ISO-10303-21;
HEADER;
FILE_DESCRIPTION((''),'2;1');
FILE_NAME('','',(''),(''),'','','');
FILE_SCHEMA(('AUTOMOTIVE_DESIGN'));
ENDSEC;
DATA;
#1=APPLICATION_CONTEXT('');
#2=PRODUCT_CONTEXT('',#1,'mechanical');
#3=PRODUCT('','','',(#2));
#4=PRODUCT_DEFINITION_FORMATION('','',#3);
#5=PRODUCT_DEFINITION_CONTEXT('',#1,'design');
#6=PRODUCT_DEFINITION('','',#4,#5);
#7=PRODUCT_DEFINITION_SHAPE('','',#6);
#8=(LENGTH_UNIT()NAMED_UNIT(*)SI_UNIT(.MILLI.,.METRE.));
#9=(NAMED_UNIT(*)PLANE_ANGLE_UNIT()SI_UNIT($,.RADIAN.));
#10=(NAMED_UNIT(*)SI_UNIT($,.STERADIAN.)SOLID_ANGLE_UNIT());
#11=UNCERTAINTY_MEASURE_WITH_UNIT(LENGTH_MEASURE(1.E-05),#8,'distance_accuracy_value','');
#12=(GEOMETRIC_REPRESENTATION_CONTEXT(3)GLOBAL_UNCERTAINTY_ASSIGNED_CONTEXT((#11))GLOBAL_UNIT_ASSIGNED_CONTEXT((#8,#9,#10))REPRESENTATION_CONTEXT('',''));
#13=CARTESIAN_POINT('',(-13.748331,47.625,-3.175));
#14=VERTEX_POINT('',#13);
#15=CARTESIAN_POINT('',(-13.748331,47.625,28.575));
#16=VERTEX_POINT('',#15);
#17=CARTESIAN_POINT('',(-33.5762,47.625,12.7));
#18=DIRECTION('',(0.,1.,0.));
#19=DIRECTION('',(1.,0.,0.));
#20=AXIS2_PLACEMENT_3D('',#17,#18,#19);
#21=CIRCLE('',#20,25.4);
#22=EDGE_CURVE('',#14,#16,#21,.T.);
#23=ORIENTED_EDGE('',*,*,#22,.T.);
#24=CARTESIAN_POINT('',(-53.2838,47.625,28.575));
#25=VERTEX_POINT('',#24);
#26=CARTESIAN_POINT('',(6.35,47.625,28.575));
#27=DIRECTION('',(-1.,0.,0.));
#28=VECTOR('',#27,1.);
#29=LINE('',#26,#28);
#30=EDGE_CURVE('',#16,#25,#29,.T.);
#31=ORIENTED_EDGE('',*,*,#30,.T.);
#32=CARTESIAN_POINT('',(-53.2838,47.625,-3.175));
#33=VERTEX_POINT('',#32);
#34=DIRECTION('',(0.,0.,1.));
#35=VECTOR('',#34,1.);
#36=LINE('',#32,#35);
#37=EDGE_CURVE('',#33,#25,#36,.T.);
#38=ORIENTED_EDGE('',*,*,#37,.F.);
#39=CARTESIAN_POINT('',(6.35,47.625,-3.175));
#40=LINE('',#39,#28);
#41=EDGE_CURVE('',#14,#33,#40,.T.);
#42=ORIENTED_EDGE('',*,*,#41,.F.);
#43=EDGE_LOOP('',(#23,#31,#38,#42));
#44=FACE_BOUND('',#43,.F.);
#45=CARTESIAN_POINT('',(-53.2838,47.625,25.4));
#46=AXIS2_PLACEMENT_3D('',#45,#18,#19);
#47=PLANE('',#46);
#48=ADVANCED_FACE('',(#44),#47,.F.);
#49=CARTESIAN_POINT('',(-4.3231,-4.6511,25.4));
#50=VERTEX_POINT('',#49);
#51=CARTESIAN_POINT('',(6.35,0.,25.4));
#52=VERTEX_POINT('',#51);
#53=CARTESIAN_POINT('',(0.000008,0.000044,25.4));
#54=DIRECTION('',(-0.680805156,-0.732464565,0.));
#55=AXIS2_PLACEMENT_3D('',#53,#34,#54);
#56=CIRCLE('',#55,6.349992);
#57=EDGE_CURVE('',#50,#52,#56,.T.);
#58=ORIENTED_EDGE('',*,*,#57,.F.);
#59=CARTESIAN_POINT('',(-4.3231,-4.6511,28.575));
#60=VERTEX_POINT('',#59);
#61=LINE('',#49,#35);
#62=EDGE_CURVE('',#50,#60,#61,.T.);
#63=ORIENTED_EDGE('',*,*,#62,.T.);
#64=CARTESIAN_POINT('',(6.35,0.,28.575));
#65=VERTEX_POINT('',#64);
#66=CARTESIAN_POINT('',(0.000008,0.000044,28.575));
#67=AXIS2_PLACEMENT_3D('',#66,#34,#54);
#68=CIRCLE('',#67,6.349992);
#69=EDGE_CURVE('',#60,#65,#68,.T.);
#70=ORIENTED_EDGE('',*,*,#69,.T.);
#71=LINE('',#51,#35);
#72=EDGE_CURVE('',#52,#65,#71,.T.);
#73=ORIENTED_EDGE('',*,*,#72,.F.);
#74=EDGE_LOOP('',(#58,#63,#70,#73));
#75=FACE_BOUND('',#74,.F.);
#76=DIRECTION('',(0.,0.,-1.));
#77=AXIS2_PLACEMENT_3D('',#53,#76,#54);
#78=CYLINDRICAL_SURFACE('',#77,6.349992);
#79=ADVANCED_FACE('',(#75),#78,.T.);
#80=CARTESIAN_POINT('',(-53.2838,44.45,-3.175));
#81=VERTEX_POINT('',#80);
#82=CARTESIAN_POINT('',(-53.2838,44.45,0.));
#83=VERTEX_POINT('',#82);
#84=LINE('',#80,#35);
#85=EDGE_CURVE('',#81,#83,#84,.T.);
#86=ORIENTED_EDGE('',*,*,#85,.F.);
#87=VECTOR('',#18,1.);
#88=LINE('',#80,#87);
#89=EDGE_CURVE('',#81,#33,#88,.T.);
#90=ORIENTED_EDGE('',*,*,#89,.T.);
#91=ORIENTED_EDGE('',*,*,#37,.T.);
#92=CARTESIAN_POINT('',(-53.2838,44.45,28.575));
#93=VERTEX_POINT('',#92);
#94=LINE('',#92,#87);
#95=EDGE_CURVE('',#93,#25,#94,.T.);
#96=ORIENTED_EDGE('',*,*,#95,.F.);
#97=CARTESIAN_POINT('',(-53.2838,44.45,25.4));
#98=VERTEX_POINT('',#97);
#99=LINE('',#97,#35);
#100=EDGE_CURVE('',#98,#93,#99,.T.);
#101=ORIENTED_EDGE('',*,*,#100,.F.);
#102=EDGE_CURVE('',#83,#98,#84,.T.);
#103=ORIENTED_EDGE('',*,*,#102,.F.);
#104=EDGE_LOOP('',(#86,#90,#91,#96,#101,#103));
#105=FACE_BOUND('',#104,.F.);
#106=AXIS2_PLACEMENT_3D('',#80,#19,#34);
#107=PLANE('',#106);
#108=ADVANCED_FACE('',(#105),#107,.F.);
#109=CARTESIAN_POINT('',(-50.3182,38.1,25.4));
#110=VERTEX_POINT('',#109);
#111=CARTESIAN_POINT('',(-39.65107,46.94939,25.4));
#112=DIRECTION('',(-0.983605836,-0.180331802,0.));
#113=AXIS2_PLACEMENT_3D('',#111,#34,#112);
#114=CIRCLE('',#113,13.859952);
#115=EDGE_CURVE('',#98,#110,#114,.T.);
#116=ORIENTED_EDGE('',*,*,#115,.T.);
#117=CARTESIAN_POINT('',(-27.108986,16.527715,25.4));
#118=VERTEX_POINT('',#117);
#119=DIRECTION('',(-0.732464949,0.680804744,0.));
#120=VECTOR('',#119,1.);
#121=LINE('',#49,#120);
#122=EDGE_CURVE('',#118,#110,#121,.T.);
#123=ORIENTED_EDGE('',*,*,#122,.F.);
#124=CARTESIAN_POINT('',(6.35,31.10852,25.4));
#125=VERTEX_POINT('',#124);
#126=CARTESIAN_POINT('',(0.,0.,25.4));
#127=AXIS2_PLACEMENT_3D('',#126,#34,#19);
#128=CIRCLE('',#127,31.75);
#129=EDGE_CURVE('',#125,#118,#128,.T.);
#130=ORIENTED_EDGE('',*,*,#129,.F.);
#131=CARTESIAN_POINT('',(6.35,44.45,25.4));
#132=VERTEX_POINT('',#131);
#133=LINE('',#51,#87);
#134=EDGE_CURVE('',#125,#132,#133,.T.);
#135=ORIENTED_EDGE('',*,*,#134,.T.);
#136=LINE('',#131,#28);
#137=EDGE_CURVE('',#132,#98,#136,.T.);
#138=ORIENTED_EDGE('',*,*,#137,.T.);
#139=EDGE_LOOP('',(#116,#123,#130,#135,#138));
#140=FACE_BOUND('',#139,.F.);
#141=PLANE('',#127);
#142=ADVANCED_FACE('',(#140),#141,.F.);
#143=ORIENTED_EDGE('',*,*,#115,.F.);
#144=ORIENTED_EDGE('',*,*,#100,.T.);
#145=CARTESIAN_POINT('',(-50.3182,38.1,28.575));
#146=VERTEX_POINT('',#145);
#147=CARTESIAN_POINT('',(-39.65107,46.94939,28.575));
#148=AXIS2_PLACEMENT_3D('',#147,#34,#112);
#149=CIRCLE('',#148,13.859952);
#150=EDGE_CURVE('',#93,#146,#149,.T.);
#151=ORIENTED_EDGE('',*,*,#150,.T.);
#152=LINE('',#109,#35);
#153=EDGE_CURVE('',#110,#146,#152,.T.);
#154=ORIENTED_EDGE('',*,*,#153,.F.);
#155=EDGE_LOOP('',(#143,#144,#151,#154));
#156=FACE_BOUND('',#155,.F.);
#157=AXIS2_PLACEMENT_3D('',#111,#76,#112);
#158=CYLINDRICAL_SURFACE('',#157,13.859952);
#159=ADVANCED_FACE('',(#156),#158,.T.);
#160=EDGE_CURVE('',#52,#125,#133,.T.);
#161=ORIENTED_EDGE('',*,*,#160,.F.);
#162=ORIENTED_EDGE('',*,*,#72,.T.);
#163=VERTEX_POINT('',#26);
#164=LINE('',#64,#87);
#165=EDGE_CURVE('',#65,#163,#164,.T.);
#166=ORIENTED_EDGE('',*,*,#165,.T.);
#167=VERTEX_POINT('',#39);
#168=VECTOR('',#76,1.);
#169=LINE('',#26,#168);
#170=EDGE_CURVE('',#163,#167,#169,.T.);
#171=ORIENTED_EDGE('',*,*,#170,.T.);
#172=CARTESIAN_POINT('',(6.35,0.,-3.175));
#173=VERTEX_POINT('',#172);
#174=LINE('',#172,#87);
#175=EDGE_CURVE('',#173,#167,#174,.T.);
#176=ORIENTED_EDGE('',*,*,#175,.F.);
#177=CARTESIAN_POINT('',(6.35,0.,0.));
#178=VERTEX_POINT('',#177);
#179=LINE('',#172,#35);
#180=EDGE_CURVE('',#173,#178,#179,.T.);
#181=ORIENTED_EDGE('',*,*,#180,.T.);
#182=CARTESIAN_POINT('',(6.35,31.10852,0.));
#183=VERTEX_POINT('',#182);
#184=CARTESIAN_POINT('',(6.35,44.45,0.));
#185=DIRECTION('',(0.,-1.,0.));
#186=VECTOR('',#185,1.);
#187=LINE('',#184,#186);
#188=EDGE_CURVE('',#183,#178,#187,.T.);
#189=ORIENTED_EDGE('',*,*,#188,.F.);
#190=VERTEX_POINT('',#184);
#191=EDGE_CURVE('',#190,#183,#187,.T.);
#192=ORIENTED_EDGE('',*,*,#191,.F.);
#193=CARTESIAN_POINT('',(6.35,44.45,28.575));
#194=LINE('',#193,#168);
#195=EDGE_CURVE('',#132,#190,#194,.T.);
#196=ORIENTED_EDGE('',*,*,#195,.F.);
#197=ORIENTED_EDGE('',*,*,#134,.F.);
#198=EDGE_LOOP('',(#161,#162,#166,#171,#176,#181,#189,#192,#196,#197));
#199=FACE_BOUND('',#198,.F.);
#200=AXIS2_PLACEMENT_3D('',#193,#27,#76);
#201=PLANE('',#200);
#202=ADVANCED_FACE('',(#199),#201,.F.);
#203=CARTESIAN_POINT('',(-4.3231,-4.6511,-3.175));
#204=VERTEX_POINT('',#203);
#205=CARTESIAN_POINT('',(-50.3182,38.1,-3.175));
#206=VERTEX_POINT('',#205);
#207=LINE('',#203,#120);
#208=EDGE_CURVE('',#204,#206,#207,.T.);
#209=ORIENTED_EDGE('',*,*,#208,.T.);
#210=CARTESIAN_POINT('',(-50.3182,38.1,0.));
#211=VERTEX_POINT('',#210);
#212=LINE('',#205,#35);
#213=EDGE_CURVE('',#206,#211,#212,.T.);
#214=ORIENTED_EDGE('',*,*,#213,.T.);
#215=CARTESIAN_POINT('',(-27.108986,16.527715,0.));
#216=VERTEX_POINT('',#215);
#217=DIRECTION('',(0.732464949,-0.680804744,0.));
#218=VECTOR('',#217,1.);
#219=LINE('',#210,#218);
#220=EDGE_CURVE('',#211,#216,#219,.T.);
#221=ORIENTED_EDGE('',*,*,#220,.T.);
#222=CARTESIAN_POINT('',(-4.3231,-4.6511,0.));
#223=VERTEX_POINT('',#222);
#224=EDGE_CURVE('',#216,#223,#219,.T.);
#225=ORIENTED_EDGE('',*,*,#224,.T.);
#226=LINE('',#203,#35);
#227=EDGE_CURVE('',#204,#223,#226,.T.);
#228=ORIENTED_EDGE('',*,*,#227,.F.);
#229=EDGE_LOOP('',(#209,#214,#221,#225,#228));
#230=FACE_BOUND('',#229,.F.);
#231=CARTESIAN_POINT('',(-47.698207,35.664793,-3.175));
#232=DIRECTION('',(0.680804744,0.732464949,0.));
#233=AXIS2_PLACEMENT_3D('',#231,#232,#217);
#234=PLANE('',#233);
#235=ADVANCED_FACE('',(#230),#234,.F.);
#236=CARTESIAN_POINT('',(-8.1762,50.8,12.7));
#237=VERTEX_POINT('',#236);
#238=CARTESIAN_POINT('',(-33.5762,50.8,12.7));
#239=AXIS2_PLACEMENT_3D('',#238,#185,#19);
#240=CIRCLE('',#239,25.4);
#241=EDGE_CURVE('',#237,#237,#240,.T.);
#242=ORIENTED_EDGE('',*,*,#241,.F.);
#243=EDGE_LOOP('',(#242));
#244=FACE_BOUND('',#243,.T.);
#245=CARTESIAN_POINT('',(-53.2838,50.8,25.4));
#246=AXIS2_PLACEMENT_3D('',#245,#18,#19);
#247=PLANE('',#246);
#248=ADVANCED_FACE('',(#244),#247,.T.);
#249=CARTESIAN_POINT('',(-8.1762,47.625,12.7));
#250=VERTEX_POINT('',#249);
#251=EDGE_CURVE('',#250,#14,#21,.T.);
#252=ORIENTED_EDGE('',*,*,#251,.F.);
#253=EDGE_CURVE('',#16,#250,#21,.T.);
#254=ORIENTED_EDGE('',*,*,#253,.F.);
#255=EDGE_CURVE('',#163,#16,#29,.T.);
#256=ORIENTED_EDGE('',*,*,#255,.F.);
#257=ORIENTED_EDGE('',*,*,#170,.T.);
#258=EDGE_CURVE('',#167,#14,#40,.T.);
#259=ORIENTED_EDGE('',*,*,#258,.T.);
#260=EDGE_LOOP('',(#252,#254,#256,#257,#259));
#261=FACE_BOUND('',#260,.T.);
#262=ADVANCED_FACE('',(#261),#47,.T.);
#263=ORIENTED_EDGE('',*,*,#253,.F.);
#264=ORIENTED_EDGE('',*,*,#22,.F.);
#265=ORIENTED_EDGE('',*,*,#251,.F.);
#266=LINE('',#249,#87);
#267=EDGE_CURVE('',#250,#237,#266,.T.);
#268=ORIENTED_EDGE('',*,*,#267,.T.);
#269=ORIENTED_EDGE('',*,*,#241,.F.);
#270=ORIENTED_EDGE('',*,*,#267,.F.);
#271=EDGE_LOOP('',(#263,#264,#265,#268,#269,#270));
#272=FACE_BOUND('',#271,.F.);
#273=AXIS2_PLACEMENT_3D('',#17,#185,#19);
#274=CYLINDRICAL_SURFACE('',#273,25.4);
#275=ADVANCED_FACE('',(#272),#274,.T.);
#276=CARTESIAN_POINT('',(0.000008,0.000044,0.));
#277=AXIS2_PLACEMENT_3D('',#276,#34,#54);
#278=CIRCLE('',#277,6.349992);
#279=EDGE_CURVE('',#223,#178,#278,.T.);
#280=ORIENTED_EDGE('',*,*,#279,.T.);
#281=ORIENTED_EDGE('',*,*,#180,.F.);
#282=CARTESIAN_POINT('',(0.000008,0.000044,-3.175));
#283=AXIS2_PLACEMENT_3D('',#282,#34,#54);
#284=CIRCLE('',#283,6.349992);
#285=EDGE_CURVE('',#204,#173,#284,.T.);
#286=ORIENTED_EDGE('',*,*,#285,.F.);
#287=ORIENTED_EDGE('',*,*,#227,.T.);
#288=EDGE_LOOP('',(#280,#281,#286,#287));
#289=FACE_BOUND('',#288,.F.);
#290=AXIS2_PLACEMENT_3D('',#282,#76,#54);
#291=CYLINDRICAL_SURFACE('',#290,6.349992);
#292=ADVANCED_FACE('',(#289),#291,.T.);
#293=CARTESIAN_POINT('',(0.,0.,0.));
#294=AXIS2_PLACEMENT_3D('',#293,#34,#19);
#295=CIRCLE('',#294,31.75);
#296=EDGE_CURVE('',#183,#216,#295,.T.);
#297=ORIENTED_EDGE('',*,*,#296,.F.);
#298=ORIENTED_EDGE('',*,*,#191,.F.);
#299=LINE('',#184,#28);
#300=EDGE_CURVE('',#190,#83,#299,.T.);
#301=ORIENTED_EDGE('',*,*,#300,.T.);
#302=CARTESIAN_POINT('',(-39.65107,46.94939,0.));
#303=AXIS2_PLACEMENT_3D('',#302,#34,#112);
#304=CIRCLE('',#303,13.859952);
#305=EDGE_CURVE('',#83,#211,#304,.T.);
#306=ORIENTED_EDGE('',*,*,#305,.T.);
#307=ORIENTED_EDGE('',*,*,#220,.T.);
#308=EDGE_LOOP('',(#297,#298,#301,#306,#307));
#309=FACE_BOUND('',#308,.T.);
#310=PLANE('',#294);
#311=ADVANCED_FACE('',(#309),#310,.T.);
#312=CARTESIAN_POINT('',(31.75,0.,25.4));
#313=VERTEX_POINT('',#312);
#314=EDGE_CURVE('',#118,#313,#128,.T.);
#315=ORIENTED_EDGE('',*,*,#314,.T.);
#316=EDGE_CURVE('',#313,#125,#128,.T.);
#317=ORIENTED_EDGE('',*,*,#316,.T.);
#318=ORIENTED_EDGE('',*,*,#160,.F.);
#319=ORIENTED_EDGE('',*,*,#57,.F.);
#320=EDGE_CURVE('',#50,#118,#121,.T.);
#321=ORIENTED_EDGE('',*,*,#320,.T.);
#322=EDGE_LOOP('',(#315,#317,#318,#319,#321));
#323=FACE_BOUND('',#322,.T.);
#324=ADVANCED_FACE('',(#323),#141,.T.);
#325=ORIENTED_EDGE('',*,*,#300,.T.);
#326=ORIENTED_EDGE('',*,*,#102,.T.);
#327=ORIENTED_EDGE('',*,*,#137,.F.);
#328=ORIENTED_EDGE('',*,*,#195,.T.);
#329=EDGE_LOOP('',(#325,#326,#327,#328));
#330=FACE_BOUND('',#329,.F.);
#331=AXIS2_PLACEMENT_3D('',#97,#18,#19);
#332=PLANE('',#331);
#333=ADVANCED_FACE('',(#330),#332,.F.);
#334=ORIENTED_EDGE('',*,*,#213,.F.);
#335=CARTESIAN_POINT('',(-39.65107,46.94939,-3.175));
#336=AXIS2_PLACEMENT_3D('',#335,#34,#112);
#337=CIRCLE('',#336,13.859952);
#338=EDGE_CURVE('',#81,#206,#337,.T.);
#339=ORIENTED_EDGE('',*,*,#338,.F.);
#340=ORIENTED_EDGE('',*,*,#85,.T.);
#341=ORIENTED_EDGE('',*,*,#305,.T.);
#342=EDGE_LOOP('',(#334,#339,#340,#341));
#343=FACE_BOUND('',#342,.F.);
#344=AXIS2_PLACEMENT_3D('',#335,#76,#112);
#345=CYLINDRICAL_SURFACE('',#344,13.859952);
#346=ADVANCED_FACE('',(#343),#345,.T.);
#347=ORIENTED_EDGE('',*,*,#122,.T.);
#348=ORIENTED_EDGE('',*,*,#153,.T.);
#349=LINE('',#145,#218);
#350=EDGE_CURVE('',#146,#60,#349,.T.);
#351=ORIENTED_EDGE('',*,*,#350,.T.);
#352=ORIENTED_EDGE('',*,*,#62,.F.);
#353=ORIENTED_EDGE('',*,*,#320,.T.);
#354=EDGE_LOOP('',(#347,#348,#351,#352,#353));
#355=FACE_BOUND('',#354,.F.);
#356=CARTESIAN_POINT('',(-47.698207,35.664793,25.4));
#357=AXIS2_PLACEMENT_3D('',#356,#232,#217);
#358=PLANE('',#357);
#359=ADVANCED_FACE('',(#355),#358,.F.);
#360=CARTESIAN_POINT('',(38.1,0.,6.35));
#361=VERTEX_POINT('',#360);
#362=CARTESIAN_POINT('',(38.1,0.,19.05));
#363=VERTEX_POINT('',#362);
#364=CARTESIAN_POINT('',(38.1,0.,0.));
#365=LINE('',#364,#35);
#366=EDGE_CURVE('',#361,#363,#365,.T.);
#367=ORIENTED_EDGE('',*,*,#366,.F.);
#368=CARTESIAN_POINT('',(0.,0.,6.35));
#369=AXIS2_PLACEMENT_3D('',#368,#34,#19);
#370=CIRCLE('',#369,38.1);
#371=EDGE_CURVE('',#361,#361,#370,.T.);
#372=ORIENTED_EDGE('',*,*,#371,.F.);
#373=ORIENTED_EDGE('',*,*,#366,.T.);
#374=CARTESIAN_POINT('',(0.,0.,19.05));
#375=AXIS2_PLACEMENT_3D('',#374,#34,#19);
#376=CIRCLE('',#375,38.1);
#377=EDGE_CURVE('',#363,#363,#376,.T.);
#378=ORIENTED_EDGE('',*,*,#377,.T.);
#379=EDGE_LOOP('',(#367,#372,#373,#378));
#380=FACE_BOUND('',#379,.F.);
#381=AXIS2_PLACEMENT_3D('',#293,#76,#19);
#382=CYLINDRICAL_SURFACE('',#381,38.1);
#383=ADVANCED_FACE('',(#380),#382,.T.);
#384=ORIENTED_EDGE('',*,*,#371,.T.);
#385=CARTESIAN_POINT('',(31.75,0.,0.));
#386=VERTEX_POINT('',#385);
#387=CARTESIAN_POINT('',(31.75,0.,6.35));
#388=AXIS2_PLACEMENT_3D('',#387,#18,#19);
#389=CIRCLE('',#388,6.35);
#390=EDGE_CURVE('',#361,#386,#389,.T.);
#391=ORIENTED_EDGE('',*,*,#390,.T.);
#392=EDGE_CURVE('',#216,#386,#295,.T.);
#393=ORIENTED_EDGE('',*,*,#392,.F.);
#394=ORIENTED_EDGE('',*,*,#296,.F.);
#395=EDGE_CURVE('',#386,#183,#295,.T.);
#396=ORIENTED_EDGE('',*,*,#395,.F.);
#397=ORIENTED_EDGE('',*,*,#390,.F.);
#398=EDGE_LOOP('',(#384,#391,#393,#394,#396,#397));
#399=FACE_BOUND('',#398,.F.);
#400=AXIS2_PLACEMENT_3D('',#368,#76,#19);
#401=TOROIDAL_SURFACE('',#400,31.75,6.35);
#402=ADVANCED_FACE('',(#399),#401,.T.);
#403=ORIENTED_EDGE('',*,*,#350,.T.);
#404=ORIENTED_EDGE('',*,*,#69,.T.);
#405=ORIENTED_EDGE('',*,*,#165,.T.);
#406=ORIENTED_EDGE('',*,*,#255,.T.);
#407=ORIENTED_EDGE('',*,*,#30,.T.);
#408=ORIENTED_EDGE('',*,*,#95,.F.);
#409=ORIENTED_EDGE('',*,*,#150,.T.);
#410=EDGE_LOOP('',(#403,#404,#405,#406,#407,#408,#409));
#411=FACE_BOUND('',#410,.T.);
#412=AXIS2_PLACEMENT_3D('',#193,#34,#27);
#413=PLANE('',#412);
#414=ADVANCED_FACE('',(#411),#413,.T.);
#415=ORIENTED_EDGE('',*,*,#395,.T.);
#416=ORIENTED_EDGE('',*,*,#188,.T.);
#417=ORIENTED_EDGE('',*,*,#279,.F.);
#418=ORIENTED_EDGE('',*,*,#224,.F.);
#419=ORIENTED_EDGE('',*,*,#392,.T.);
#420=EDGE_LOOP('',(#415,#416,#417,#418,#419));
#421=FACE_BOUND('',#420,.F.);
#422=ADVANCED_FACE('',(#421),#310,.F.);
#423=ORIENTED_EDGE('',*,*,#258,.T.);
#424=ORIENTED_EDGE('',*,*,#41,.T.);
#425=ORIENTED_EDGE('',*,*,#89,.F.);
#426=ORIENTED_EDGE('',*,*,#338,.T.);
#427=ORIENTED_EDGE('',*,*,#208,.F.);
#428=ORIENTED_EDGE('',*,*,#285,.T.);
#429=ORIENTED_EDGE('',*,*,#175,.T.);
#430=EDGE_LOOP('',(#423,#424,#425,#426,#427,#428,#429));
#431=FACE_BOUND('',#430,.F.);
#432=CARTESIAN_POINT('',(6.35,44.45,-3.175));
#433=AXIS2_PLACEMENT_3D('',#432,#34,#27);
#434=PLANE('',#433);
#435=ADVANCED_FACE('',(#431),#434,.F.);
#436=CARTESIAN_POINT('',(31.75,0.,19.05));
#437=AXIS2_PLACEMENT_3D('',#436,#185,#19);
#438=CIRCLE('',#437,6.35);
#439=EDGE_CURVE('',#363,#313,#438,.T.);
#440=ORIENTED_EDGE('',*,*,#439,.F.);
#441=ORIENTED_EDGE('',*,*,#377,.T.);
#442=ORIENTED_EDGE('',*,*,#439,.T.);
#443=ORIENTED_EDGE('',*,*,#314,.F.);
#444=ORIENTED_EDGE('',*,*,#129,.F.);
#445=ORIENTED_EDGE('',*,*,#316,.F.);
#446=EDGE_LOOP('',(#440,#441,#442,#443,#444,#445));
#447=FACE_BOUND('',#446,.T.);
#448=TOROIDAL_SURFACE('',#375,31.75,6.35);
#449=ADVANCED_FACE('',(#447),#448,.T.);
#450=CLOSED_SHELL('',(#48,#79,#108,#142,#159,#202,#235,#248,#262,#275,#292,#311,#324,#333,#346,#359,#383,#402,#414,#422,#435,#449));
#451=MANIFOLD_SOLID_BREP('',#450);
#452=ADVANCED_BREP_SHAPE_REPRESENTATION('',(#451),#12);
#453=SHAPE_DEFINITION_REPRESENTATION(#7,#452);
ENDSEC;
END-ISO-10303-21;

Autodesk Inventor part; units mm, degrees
ref_plane "YZ Plane" through (0, 0, 0) normal (1, 0, 0) x (0, 1, 0)
ref_plane "XZ Plane" through (0, 0, 0) normal (0, 1, 0) x (-1, 0, 0)
ref_plane "XY Plane" through (0, 0, 0) normal (0, 0, 1) x (1, 0, 0)
sketch "Sketch1" plane through (0, 0, 0) normal (0, 0, 1) x (1, 0, 0)
  circle A0 centre (0, 0) radius 38.1
  dimension "d0" = 76.2
extrude "Extrusion1" add sketch "Sketch1" along normal blind 25.4
fillet "Fillet1" radius 6.35 2 edges at (-38.1, 0, 25.4) (-38.1, 0, 0)
sketch "Sketch3" plane through (0, 0, 25.4) normal (0, 0, 1) x (1, 0, 0)
  line L0 (6.35, 44.45) -> (-53.2838, 44.45)
  circle A0 centre (0, 0) radius 38.1 projected
  arc A1 (-4.3231, -4.6511) -> (6.35, 0) centre (0, 0) ccw
  line L1 (6.35, 0) -> (6.35, 44.45)
  arc A2 (-53.2838, 44.45) -> (-47.6982, 35.6648) centre (-39.6513, 46.9493) ccw
  line L2 (-50.3182, 38.1) -> (-4.3231, -4.6511)
  dimension "d8" = 44.45
  dimension "d9" = 76.2
  dimension "d10" = 12.7
extrude "Extrusion2" add sketch "Sketch3" along normal blind 3.175 contours L1 A0 L2 A2 L0 | L1 A1 L2 A0 picked at (-4.398, 10.0922)
pattern_linear "Rectangular Pattern1" count 2 spacing 28.575 along (0, 0, -1) of "Extrusion2"
sketch "Sketch4" plane through (-53.2838, 44.45, 25.4) normal (0, 1, 0) x (1, 0, 0)
  line L0 (59.6338, -3.175) -> (0, -3.175) projected
  line L1 (59.6338, 28.575) -> (0, 28.575) projected
  line L2 (0, -3.175) -> (59.6338, -3.175)
  line L3 (59.6338, -3.175) -> (59.6338, 28.575)
  line L4 (59.6338, 28.575) -> (0, 28.575)
  line L5 (0, 28.575) -> (0, -3.175)
  point P0 (53.2838, 25.4)
  dimension "d20" = 31.75
extrude "Extrusion3" add sketch "Sketch4" along normal blind 3.175
sketch "Sketch5" plane through (-53.2838, 47.625, 25.4) normal (0, 1, 0) x (1, 0, 0)
  circle A0 centre (19.7076, 12.7) radius 25.4
  line L0 (59.6338, 28.575) -> (0, 28.575) projected
  line L1 (59.6338, -3.175) -> (59.6338, 28.575) projected
  dimension "d19" = 15.875
  dimension "d21" = 50.8
extrude "Extrusion4" add sketch "Sketch5" along normal blind 3.175
equation "\"d19\" = 0.5 * d20"
properties part number "Caster Placeholder" material "Aluminum 6061"
